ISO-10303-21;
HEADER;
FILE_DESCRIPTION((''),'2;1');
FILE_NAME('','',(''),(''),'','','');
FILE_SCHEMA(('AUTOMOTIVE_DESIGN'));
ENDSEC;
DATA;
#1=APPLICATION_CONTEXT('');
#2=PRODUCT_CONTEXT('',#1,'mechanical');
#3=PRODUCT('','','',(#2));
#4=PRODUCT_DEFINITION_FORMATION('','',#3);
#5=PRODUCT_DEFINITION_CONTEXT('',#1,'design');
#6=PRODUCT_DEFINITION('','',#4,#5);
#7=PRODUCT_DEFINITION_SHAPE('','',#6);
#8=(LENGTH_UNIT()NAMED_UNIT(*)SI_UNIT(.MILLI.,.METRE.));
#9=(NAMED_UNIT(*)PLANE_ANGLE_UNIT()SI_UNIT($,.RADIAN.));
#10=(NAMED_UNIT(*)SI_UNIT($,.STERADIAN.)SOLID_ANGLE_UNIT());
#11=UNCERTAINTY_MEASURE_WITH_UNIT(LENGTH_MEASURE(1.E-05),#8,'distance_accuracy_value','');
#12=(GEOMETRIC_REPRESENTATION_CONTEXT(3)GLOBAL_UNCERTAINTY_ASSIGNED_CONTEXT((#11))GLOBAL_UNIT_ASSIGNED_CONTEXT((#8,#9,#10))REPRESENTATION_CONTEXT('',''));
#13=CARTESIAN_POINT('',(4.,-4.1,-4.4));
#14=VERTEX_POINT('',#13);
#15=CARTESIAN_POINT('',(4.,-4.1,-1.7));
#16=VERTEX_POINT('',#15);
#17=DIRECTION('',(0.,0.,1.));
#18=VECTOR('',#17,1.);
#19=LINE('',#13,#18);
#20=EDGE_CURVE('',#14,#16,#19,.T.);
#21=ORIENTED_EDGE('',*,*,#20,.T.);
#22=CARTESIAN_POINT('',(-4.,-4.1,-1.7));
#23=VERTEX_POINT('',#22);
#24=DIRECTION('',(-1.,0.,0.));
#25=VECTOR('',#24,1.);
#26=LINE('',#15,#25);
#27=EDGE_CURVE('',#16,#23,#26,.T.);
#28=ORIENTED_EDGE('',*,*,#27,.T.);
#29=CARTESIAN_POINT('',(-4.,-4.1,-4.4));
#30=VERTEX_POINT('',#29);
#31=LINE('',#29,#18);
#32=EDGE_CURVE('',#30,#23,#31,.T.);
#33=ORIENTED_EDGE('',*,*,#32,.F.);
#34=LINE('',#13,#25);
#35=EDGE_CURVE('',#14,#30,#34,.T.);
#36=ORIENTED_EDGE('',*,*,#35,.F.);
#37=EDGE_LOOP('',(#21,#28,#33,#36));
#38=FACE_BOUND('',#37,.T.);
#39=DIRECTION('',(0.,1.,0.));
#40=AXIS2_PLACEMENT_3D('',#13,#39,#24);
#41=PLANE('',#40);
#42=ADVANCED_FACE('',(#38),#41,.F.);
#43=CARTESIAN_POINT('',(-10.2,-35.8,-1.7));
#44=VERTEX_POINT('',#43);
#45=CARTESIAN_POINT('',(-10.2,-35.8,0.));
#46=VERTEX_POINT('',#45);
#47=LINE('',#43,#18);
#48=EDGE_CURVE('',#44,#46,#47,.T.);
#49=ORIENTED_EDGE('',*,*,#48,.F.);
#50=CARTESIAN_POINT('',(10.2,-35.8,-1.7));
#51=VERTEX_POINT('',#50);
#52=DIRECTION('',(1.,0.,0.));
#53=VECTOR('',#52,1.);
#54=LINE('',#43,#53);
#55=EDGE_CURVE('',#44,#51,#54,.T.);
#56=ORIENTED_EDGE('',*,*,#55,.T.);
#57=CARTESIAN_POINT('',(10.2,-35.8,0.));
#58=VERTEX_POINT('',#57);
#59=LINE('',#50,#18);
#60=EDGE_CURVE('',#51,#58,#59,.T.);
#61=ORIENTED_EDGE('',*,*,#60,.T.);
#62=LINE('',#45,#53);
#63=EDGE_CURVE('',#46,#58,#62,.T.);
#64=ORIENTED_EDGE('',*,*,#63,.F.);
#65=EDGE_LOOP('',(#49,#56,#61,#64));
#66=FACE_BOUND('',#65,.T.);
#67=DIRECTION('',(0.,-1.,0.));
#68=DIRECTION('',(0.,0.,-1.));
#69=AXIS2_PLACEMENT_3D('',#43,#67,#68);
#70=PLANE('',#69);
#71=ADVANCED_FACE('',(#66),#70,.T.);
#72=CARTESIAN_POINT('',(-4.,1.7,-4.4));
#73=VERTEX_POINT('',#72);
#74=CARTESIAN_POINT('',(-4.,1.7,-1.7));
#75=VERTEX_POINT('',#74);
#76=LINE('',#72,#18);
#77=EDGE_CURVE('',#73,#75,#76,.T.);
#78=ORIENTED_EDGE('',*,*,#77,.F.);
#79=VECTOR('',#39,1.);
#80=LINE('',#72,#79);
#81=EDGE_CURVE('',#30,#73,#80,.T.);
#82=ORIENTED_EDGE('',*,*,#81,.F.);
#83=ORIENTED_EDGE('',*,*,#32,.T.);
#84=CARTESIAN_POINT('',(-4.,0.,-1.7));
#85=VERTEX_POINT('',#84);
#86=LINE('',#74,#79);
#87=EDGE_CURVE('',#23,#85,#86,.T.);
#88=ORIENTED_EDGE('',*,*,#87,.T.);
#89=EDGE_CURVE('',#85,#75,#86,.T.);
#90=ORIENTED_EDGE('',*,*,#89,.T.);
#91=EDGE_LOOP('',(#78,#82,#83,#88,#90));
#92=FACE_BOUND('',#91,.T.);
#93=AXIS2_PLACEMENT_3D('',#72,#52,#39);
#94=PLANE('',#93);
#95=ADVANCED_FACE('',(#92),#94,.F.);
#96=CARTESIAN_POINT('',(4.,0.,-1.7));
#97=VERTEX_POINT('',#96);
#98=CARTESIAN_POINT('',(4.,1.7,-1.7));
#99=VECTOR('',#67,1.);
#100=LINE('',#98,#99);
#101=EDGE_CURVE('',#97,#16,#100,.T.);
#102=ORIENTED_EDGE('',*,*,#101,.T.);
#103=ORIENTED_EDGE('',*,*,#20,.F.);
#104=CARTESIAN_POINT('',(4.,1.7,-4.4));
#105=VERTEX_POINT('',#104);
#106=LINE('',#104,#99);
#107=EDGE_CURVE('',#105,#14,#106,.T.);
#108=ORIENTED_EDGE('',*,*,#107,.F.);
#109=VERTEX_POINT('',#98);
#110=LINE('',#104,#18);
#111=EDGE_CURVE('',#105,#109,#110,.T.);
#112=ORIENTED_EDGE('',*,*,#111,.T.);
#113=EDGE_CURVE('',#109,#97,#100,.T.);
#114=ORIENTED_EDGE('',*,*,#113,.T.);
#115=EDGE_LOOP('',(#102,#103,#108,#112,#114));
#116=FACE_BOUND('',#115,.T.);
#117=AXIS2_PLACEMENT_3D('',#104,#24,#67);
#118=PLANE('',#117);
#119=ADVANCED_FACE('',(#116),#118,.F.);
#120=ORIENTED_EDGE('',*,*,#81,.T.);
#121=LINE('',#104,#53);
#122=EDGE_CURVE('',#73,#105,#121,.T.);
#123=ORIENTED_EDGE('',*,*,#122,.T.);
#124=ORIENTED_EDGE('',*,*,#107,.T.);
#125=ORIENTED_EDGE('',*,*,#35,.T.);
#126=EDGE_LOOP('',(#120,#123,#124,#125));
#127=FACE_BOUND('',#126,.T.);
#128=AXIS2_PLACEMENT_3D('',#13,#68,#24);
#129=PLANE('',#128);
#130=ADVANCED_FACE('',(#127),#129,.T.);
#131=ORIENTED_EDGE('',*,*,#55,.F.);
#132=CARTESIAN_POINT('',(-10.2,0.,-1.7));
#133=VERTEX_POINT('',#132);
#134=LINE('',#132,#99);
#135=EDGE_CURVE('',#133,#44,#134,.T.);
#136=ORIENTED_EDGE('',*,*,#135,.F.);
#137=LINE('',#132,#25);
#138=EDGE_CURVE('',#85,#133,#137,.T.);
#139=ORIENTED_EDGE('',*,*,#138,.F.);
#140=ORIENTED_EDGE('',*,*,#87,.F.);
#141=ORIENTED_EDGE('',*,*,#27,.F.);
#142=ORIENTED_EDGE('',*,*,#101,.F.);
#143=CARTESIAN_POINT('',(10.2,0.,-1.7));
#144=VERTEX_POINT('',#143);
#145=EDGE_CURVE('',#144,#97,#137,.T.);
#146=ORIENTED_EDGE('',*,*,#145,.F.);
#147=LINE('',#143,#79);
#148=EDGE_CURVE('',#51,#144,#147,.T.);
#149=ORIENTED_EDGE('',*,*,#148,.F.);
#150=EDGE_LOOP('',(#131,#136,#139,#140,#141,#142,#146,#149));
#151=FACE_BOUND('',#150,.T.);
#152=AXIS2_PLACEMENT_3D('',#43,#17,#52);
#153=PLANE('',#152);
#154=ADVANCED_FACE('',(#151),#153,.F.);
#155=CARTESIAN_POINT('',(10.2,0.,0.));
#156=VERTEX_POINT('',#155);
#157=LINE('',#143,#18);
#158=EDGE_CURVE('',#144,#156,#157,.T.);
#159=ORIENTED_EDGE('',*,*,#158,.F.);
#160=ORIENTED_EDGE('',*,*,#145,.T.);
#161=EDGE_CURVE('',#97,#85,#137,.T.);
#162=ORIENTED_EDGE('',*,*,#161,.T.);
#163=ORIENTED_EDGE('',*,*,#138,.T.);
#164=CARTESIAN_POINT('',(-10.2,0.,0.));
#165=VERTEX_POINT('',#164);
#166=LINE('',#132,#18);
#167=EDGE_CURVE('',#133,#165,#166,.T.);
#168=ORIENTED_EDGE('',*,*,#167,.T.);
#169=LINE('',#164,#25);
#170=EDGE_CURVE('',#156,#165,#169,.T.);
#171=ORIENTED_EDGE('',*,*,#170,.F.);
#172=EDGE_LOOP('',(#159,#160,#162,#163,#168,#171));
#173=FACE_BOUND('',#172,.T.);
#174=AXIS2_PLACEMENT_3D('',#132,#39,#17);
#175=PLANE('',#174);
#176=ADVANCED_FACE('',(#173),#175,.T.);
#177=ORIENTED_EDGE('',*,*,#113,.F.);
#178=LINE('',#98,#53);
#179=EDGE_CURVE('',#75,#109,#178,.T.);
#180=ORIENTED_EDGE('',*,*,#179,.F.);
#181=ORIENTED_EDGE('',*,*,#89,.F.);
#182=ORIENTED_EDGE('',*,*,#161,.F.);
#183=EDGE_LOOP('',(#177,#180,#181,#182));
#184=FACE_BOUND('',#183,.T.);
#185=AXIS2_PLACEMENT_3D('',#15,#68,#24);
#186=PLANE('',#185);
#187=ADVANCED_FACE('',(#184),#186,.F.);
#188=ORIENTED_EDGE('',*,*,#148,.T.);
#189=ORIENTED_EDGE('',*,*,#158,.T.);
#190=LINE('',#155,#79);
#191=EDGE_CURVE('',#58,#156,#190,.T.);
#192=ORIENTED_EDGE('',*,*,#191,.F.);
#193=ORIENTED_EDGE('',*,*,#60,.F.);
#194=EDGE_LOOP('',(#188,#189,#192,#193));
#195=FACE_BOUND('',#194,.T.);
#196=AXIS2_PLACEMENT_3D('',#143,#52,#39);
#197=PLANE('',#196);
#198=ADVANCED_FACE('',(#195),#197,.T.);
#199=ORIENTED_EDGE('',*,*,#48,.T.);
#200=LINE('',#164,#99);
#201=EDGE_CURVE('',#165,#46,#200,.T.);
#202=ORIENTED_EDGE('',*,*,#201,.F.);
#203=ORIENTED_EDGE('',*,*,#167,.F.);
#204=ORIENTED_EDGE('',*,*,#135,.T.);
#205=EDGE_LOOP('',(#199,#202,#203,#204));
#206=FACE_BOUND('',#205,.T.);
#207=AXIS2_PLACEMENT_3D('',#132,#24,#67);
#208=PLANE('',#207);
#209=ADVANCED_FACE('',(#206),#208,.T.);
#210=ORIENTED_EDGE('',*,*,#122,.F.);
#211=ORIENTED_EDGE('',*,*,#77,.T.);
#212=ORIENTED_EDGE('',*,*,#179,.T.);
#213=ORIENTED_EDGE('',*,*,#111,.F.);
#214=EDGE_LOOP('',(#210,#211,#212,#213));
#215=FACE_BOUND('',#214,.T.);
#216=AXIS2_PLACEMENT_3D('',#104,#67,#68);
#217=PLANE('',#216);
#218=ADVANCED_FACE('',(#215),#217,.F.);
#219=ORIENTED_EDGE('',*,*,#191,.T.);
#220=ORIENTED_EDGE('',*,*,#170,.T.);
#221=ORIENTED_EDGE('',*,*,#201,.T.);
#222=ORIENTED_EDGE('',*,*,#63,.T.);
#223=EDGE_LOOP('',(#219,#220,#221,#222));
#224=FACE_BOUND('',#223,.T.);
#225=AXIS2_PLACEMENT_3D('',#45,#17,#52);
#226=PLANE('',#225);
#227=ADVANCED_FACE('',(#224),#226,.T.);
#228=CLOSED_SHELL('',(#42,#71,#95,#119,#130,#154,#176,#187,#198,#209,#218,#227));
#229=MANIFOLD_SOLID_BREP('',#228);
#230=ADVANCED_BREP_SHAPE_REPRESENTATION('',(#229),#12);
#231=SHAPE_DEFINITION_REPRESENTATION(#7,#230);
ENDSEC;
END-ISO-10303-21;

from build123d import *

# Parameters (mm, degrees)
SKETCH1_W           = 20.4
SKETCH1_H           = 35.8
BOSS_EXTRUDE1_DEPTH = 1.7
SKETCH2_W           = 8
SKETCH2_H           = 5.8
BOSS_EXTRUDE2_DEPTH = 2.7


with BuildPart() as part:
    # Sketch1 → Boss-Extrude1 (new body)
    with BuildSketch(Plane.XY):
        with Locations((0, -17.9)):
            Rectangle(SKETCH1_W, SKETCH1_H)
    extrude(amount=-BOSS_EXTRUDE1_DEPTH)

    # Sketch2 → Boss-Extrude2 (add)
    with BuildSketch(Plane(origin=(0, 0, -1.7), x_dir=(-1, 0, 0), z_dir=(0, 0, -1))):
        with Locations((0, -1.2)):
            Rectangle(SKETCH2_W, SKETCH2_H)
    extrude(amount=BOSS_EXTRUDE2_DEPTH)


solid = part.part
